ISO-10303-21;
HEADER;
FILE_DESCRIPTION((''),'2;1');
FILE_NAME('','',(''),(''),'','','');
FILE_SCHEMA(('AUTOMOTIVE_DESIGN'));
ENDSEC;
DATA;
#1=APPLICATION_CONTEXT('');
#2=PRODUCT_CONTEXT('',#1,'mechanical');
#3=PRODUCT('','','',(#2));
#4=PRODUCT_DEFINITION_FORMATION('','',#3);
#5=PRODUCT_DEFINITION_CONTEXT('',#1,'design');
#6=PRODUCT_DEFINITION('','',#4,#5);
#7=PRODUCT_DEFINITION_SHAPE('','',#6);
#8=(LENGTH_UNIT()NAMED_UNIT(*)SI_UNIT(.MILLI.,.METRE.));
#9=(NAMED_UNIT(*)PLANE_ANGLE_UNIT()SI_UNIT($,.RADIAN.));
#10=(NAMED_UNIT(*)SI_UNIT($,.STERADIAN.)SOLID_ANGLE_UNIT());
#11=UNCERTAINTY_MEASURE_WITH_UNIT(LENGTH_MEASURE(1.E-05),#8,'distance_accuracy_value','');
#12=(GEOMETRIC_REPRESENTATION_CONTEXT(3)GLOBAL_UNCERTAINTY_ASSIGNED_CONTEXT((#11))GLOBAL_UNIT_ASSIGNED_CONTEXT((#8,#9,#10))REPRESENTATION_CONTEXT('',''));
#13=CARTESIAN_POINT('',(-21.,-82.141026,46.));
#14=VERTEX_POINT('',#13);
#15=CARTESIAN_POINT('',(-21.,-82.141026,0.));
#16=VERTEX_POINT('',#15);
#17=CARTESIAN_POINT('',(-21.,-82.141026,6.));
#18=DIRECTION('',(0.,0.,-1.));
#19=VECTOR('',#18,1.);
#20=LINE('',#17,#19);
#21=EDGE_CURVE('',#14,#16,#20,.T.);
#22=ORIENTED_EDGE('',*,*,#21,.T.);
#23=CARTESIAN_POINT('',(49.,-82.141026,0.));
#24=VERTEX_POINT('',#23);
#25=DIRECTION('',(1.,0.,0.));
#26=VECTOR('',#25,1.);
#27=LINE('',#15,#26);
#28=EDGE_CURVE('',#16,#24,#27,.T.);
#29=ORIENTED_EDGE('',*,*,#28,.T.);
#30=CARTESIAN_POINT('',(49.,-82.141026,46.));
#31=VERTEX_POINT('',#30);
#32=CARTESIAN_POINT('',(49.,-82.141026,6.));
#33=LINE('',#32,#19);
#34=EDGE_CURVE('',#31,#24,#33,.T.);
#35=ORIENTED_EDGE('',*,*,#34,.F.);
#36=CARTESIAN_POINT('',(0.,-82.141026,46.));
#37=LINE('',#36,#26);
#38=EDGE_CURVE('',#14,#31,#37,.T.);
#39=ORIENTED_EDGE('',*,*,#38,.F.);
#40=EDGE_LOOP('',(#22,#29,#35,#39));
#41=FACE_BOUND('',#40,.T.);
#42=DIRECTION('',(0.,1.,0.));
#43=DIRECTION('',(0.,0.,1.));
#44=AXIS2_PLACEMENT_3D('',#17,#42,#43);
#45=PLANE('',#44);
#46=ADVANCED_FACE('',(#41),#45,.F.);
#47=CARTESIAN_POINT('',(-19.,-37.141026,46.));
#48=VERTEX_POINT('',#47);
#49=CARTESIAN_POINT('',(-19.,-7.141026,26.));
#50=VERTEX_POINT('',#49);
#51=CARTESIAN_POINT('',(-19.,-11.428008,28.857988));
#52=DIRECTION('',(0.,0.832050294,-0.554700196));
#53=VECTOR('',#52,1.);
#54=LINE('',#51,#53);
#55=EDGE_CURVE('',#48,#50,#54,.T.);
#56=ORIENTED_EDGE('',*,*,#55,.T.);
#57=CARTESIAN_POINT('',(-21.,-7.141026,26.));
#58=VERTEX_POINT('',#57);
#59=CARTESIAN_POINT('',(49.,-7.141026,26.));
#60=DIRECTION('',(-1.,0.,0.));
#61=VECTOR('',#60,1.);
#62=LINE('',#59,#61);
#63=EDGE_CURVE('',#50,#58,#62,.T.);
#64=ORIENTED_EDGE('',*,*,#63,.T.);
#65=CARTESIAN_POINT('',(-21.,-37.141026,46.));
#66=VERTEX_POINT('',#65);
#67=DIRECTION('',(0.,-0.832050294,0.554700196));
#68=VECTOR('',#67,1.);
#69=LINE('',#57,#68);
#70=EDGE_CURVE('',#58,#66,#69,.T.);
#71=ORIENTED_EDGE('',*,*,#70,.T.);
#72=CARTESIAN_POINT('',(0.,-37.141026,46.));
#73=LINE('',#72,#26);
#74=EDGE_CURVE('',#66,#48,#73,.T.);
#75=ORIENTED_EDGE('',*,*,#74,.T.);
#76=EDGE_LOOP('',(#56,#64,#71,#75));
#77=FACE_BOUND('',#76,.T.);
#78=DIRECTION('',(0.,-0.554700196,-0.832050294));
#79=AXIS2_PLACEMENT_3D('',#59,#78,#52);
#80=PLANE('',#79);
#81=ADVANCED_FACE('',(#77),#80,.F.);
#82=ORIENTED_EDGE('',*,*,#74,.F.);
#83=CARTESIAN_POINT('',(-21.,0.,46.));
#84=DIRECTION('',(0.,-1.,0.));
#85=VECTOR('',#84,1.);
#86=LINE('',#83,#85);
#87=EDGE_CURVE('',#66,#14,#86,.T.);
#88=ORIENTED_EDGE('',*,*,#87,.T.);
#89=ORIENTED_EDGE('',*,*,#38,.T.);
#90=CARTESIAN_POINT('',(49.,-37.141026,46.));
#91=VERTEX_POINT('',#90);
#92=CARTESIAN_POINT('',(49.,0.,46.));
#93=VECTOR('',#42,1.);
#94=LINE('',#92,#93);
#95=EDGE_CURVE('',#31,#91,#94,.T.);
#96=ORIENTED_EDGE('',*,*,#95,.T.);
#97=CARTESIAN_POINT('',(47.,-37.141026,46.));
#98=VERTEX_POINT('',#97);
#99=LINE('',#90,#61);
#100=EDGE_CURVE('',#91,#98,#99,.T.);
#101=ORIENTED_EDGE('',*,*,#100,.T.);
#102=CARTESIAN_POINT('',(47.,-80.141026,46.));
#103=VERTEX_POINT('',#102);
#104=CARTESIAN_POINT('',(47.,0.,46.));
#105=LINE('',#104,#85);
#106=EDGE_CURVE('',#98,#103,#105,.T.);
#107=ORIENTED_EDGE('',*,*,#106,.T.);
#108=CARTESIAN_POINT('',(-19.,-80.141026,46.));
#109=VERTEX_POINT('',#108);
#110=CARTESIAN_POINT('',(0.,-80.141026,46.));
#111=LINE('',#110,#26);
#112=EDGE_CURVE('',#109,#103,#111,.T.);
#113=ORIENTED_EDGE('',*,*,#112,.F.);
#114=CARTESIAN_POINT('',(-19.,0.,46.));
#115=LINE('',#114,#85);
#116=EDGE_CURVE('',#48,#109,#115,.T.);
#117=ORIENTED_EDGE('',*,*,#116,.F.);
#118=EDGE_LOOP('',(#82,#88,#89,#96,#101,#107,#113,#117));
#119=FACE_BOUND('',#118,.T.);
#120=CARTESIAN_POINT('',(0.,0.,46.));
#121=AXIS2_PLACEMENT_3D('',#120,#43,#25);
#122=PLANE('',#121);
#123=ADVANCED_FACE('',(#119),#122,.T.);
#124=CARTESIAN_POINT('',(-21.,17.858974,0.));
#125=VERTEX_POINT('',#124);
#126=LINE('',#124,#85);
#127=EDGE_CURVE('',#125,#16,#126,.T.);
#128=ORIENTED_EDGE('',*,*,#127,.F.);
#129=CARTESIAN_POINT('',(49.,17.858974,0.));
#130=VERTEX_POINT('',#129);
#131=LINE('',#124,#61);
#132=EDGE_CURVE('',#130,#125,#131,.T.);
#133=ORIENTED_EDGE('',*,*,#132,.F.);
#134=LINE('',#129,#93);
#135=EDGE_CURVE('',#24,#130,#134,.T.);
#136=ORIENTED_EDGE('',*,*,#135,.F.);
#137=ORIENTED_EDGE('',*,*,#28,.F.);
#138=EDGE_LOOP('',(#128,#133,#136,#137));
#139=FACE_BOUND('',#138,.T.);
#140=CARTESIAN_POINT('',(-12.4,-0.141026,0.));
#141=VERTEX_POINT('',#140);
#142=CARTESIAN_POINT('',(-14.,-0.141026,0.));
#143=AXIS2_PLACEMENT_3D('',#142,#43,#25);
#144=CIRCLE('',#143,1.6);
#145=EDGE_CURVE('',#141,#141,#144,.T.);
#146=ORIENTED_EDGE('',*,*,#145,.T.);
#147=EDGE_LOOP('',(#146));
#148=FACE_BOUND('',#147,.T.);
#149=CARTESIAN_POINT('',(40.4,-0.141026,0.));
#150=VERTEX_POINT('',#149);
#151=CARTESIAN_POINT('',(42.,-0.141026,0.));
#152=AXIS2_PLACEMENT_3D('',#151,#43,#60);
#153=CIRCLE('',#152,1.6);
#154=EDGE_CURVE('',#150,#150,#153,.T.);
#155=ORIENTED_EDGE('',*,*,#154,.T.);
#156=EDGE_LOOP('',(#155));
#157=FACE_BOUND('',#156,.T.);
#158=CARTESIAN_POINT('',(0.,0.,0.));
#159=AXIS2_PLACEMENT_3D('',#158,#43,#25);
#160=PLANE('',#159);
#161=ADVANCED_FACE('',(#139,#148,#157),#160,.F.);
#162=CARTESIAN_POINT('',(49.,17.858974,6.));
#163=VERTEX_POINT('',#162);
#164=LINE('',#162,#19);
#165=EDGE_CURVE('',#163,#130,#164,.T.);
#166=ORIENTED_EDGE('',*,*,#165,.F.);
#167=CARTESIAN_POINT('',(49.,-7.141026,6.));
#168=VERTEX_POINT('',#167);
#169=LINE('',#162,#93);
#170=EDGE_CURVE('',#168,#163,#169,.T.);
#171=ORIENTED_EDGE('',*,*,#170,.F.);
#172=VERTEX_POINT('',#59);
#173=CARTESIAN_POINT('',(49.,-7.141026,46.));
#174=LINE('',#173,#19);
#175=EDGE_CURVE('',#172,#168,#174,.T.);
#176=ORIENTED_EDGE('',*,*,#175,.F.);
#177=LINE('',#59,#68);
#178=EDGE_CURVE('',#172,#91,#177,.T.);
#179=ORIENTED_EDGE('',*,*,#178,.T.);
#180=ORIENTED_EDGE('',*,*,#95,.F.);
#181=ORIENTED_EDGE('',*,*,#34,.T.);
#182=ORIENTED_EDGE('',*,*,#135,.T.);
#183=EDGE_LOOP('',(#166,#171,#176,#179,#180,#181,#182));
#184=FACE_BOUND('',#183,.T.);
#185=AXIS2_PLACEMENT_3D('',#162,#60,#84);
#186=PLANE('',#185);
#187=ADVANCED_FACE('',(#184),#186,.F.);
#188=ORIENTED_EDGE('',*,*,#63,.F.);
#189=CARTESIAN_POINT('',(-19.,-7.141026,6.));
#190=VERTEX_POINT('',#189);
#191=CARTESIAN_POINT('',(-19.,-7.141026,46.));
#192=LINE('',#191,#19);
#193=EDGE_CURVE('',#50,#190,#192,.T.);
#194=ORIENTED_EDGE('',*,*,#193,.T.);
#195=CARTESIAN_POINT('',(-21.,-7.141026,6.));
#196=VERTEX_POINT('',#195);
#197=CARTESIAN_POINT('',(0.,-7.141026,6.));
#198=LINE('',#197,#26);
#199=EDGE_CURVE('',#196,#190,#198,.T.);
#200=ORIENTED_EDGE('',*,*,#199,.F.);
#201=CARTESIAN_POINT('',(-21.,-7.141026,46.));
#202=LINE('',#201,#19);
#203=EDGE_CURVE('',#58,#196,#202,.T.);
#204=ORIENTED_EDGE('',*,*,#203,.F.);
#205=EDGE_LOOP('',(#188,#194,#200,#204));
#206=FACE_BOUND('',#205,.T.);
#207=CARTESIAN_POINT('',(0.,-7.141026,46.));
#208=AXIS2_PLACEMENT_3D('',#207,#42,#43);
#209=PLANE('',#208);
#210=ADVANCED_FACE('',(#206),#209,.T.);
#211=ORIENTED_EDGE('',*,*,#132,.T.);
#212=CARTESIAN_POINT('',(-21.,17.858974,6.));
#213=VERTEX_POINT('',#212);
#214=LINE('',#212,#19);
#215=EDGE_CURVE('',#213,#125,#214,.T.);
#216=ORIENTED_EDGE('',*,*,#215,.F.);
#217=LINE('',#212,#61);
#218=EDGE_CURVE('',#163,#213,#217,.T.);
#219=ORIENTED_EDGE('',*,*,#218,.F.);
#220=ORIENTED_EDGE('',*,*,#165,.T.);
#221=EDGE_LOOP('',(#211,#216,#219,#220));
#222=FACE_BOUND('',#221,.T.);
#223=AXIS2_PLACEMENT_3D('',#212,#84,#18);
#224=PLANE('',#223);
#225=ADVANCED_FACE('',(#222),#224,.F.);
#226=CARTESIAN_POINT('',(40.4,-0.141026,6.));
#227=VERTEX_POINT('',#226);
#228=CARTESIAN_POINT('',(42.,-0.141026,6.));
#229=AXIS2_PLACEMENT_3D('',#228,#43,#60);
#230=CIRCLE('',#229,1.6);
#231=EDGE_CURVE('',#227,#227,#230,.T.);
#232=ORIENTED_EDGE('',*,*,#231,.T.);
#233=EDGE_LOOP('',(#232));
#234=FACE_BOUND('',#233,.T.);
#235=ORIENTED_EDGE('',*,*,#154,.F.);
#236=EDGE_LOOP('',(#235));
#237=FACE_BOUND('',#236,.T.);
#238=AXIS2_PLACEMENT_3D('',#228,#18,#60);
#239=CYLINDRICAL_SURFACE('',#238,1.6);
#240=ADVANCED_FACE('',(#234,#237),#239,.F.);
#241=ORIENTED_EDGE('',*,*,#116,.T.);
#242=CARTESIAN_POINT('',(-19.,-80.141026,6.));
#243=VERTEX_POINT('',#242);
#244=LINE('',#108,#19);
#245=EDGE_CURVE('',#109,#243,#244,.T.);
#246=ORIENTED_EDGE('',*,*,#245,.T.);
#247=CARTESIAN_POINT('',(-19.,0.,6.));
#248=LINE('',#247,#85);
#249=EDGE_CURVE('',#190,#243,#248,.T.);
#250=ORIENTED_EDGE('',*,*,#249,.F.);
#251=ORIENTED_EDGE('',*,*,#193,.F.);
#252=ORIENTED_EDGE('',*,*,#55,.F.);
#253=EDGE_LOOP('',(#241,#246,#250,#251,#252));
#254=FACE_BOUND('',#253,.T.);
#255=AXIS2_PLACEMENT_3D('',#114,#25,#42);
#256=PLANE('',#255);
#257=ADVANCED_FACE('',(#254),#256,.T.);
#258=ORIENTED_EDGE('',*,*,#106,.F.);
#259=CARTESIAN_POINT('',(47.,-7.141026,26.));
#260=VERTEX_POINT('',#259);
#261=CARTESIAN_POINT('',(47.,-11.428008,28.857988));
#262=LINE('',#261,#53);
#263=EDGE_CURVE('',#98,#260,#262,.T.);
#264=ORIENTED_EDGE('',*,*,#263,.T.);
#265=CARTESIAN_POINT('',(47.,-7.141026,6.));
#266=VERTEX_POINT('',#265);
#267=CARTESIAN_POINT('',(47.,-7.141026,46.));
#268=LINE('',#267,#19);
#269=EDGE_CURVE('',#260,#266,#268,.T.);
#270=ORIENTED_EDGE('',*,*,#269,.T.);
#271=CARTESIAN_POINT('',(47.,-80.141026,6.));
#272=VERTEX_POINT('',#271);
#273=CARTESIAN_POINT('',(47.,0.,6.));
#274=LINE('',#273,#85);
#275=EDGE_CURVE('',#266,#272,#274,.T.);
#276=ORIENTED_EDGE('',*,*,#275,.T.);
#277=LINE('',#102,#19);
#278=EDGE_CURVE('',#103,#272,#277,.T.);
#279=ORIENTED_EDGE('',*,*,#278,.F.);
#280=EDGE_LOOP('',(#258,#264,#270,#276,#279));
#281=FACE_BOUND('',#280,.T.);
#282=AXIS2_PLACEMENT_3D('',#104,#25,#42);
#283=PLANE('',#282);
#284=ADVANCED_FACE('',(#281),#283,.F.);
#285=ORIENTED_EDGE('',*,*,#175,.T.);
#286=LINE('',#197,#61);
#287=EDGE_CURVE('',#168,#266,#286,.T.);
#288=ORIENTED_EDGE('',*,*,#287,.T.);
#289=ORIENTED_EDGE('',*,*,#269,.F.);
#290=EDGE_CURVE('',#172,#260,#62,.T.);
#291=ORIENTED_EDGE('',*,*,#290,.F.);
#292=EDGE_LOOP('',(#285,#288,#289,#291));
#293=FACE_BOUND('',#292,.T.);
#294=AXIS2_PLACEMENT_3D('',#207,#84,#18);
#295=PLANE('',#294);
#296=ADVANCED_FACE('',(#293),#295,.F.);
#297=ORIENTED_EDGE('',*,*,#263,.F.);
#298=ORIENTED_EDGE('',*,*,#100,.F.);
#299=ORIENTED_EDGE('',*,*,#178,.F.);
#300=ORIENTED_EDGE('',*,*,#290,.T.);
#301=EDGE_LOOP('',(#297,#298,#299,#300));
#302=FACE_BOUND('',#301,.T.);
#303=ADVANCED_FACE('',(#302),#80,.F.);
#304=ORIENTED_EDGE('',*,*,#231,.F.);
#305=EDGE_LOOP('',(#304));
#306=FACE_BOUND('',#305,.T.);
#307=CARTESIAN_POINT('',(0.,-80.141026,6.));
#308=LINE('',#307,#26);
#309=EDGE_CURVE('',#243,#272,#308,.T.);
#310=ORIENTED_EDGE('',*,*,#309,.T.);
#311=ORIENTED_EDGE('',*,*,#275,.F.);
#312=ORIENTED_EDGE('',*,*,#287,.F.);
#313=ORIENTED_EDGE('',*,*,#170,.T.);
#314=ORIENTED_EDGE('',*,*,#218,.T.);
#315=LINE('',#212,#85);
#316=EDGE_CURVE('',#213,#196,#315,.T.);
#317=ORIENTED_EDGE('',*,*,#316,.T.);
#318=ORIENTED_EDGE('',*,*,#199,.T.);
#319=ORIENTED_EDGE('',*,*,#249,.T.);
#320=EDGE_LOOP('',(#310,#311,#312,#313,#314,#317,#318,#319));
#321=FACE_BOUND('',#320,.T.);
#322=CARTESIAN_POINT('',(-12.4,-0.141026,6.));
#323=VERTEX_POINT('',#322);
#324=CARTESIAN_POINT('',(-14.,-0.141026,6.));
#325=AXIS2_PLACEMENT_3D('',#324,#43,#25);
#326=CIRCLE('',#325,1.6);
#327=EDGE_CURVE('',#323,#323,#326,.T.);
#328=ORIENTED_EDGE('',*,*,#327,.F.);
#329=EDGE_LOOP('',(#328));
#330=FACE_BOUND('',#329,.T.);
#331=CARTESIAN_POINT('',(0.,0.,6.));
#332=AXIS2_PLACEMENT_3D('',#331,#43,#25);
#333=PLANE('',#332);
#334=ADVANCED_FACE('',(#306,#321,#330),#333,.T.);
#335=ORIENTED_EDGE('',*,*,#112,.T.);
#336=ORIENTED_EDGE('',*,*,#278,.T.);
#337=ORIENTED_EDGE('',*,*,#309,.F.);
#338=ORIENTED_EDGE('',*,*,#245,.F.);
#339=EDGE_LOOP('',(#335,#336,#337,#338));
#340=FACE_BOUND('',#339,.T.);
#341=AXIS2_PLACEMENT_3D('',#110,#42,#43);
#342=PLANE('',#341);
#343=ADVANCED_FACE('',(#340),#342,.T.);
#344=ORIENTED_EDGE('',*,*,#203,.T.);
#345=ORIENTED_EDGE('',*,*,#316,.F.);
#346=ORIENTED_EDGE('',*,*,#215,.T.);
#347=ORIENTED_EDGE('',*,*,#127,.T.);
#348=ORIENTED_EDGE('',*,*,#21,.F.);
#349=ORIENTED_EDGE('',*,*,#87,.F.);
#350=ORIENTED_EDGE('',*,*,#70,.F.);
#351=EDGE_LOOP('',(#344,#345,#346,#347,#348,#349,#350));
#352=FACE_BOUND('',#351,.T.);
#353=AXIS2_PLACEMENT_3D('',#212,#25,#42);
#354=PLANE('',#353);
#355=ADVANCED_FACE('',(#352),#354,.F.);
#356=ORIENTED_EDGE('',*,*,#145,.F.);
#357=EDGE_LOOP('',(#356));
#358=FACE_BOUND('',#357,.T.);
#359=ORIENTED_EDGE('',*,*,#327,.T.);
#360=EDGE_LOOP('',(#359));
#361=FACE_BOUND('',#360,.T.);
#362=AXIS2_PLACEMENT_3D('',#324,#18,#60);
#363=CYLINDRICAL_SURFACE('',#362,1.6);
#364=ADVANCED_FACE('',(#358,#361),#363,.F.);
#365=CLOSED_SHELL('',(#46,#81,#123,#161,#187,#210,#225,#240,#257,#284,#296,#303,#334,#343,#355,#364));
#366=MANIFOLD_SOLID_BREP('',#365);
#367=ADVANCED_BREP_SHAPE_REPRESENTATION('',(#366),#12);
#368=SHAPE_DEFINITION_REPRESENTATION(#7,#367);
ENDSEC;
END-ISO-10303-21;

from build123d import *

# Parameters (mm, degrees)
SKETCH_1_W          = 70
SKETCH_1_H          = 100
SKETCH_1_R          = 1.6
EXTRUDE_1_DEPTH     = 6
EXTRUDE_2_DEPTH     = 40
CUT_EXTRUDE_1_DEPTH = 71


with BuildPart() as part:
    # 草图1 → 凸台-拉伸1 (new body)
    with BuildSketch(Plane.XY):
        with Locations((14, -32.141025641)):
            Rectangle(SKETCH_1_W, SKETCH_1_H)
        with Locations((-14, -0.141025641)):
            Circle(SKETCH_1_R, mode=Mode.SUBTRACT)
        with Locations((42, -0.141025641)):
            Circle(SKETCH_1_R, mode=Mode.SUBTRACT)
    extrude(amount=EXTRUDE_1_DEPTH)

    # 草图2 → 凸台-拉伸2 (add)
    with BuildSketch(Plane.XY.offset(6)):
        Polygon((-19, -7.141025641), (-21, -7.141025641), (-21, -80.141025641), (-21, -82.141025641), (-18.055692248, -82.141025641), (46.014859647, -82.141025641), (49, -82.141025641), (49, -79.477981724), (49, -7.141025641), (47, -7.141025641), (47, -80.141025641), (-19, -80.141025641), align=None)
    extrude(amount=EXTRUDE_2_DEPTH)

    # 草图3 → 切除-拉伸1 (cut, through all)
    with BuildSketch(Plane.ZY.offset(21)):
        Polygon((26, -7.141025641), (46, -37.141025641), (46, -7.141025641), align=None)
    extrude(amount=-CUT_EXTRUDE_1_DEPTH, mode=Mode.SUBTRACT)


solid = part.part
